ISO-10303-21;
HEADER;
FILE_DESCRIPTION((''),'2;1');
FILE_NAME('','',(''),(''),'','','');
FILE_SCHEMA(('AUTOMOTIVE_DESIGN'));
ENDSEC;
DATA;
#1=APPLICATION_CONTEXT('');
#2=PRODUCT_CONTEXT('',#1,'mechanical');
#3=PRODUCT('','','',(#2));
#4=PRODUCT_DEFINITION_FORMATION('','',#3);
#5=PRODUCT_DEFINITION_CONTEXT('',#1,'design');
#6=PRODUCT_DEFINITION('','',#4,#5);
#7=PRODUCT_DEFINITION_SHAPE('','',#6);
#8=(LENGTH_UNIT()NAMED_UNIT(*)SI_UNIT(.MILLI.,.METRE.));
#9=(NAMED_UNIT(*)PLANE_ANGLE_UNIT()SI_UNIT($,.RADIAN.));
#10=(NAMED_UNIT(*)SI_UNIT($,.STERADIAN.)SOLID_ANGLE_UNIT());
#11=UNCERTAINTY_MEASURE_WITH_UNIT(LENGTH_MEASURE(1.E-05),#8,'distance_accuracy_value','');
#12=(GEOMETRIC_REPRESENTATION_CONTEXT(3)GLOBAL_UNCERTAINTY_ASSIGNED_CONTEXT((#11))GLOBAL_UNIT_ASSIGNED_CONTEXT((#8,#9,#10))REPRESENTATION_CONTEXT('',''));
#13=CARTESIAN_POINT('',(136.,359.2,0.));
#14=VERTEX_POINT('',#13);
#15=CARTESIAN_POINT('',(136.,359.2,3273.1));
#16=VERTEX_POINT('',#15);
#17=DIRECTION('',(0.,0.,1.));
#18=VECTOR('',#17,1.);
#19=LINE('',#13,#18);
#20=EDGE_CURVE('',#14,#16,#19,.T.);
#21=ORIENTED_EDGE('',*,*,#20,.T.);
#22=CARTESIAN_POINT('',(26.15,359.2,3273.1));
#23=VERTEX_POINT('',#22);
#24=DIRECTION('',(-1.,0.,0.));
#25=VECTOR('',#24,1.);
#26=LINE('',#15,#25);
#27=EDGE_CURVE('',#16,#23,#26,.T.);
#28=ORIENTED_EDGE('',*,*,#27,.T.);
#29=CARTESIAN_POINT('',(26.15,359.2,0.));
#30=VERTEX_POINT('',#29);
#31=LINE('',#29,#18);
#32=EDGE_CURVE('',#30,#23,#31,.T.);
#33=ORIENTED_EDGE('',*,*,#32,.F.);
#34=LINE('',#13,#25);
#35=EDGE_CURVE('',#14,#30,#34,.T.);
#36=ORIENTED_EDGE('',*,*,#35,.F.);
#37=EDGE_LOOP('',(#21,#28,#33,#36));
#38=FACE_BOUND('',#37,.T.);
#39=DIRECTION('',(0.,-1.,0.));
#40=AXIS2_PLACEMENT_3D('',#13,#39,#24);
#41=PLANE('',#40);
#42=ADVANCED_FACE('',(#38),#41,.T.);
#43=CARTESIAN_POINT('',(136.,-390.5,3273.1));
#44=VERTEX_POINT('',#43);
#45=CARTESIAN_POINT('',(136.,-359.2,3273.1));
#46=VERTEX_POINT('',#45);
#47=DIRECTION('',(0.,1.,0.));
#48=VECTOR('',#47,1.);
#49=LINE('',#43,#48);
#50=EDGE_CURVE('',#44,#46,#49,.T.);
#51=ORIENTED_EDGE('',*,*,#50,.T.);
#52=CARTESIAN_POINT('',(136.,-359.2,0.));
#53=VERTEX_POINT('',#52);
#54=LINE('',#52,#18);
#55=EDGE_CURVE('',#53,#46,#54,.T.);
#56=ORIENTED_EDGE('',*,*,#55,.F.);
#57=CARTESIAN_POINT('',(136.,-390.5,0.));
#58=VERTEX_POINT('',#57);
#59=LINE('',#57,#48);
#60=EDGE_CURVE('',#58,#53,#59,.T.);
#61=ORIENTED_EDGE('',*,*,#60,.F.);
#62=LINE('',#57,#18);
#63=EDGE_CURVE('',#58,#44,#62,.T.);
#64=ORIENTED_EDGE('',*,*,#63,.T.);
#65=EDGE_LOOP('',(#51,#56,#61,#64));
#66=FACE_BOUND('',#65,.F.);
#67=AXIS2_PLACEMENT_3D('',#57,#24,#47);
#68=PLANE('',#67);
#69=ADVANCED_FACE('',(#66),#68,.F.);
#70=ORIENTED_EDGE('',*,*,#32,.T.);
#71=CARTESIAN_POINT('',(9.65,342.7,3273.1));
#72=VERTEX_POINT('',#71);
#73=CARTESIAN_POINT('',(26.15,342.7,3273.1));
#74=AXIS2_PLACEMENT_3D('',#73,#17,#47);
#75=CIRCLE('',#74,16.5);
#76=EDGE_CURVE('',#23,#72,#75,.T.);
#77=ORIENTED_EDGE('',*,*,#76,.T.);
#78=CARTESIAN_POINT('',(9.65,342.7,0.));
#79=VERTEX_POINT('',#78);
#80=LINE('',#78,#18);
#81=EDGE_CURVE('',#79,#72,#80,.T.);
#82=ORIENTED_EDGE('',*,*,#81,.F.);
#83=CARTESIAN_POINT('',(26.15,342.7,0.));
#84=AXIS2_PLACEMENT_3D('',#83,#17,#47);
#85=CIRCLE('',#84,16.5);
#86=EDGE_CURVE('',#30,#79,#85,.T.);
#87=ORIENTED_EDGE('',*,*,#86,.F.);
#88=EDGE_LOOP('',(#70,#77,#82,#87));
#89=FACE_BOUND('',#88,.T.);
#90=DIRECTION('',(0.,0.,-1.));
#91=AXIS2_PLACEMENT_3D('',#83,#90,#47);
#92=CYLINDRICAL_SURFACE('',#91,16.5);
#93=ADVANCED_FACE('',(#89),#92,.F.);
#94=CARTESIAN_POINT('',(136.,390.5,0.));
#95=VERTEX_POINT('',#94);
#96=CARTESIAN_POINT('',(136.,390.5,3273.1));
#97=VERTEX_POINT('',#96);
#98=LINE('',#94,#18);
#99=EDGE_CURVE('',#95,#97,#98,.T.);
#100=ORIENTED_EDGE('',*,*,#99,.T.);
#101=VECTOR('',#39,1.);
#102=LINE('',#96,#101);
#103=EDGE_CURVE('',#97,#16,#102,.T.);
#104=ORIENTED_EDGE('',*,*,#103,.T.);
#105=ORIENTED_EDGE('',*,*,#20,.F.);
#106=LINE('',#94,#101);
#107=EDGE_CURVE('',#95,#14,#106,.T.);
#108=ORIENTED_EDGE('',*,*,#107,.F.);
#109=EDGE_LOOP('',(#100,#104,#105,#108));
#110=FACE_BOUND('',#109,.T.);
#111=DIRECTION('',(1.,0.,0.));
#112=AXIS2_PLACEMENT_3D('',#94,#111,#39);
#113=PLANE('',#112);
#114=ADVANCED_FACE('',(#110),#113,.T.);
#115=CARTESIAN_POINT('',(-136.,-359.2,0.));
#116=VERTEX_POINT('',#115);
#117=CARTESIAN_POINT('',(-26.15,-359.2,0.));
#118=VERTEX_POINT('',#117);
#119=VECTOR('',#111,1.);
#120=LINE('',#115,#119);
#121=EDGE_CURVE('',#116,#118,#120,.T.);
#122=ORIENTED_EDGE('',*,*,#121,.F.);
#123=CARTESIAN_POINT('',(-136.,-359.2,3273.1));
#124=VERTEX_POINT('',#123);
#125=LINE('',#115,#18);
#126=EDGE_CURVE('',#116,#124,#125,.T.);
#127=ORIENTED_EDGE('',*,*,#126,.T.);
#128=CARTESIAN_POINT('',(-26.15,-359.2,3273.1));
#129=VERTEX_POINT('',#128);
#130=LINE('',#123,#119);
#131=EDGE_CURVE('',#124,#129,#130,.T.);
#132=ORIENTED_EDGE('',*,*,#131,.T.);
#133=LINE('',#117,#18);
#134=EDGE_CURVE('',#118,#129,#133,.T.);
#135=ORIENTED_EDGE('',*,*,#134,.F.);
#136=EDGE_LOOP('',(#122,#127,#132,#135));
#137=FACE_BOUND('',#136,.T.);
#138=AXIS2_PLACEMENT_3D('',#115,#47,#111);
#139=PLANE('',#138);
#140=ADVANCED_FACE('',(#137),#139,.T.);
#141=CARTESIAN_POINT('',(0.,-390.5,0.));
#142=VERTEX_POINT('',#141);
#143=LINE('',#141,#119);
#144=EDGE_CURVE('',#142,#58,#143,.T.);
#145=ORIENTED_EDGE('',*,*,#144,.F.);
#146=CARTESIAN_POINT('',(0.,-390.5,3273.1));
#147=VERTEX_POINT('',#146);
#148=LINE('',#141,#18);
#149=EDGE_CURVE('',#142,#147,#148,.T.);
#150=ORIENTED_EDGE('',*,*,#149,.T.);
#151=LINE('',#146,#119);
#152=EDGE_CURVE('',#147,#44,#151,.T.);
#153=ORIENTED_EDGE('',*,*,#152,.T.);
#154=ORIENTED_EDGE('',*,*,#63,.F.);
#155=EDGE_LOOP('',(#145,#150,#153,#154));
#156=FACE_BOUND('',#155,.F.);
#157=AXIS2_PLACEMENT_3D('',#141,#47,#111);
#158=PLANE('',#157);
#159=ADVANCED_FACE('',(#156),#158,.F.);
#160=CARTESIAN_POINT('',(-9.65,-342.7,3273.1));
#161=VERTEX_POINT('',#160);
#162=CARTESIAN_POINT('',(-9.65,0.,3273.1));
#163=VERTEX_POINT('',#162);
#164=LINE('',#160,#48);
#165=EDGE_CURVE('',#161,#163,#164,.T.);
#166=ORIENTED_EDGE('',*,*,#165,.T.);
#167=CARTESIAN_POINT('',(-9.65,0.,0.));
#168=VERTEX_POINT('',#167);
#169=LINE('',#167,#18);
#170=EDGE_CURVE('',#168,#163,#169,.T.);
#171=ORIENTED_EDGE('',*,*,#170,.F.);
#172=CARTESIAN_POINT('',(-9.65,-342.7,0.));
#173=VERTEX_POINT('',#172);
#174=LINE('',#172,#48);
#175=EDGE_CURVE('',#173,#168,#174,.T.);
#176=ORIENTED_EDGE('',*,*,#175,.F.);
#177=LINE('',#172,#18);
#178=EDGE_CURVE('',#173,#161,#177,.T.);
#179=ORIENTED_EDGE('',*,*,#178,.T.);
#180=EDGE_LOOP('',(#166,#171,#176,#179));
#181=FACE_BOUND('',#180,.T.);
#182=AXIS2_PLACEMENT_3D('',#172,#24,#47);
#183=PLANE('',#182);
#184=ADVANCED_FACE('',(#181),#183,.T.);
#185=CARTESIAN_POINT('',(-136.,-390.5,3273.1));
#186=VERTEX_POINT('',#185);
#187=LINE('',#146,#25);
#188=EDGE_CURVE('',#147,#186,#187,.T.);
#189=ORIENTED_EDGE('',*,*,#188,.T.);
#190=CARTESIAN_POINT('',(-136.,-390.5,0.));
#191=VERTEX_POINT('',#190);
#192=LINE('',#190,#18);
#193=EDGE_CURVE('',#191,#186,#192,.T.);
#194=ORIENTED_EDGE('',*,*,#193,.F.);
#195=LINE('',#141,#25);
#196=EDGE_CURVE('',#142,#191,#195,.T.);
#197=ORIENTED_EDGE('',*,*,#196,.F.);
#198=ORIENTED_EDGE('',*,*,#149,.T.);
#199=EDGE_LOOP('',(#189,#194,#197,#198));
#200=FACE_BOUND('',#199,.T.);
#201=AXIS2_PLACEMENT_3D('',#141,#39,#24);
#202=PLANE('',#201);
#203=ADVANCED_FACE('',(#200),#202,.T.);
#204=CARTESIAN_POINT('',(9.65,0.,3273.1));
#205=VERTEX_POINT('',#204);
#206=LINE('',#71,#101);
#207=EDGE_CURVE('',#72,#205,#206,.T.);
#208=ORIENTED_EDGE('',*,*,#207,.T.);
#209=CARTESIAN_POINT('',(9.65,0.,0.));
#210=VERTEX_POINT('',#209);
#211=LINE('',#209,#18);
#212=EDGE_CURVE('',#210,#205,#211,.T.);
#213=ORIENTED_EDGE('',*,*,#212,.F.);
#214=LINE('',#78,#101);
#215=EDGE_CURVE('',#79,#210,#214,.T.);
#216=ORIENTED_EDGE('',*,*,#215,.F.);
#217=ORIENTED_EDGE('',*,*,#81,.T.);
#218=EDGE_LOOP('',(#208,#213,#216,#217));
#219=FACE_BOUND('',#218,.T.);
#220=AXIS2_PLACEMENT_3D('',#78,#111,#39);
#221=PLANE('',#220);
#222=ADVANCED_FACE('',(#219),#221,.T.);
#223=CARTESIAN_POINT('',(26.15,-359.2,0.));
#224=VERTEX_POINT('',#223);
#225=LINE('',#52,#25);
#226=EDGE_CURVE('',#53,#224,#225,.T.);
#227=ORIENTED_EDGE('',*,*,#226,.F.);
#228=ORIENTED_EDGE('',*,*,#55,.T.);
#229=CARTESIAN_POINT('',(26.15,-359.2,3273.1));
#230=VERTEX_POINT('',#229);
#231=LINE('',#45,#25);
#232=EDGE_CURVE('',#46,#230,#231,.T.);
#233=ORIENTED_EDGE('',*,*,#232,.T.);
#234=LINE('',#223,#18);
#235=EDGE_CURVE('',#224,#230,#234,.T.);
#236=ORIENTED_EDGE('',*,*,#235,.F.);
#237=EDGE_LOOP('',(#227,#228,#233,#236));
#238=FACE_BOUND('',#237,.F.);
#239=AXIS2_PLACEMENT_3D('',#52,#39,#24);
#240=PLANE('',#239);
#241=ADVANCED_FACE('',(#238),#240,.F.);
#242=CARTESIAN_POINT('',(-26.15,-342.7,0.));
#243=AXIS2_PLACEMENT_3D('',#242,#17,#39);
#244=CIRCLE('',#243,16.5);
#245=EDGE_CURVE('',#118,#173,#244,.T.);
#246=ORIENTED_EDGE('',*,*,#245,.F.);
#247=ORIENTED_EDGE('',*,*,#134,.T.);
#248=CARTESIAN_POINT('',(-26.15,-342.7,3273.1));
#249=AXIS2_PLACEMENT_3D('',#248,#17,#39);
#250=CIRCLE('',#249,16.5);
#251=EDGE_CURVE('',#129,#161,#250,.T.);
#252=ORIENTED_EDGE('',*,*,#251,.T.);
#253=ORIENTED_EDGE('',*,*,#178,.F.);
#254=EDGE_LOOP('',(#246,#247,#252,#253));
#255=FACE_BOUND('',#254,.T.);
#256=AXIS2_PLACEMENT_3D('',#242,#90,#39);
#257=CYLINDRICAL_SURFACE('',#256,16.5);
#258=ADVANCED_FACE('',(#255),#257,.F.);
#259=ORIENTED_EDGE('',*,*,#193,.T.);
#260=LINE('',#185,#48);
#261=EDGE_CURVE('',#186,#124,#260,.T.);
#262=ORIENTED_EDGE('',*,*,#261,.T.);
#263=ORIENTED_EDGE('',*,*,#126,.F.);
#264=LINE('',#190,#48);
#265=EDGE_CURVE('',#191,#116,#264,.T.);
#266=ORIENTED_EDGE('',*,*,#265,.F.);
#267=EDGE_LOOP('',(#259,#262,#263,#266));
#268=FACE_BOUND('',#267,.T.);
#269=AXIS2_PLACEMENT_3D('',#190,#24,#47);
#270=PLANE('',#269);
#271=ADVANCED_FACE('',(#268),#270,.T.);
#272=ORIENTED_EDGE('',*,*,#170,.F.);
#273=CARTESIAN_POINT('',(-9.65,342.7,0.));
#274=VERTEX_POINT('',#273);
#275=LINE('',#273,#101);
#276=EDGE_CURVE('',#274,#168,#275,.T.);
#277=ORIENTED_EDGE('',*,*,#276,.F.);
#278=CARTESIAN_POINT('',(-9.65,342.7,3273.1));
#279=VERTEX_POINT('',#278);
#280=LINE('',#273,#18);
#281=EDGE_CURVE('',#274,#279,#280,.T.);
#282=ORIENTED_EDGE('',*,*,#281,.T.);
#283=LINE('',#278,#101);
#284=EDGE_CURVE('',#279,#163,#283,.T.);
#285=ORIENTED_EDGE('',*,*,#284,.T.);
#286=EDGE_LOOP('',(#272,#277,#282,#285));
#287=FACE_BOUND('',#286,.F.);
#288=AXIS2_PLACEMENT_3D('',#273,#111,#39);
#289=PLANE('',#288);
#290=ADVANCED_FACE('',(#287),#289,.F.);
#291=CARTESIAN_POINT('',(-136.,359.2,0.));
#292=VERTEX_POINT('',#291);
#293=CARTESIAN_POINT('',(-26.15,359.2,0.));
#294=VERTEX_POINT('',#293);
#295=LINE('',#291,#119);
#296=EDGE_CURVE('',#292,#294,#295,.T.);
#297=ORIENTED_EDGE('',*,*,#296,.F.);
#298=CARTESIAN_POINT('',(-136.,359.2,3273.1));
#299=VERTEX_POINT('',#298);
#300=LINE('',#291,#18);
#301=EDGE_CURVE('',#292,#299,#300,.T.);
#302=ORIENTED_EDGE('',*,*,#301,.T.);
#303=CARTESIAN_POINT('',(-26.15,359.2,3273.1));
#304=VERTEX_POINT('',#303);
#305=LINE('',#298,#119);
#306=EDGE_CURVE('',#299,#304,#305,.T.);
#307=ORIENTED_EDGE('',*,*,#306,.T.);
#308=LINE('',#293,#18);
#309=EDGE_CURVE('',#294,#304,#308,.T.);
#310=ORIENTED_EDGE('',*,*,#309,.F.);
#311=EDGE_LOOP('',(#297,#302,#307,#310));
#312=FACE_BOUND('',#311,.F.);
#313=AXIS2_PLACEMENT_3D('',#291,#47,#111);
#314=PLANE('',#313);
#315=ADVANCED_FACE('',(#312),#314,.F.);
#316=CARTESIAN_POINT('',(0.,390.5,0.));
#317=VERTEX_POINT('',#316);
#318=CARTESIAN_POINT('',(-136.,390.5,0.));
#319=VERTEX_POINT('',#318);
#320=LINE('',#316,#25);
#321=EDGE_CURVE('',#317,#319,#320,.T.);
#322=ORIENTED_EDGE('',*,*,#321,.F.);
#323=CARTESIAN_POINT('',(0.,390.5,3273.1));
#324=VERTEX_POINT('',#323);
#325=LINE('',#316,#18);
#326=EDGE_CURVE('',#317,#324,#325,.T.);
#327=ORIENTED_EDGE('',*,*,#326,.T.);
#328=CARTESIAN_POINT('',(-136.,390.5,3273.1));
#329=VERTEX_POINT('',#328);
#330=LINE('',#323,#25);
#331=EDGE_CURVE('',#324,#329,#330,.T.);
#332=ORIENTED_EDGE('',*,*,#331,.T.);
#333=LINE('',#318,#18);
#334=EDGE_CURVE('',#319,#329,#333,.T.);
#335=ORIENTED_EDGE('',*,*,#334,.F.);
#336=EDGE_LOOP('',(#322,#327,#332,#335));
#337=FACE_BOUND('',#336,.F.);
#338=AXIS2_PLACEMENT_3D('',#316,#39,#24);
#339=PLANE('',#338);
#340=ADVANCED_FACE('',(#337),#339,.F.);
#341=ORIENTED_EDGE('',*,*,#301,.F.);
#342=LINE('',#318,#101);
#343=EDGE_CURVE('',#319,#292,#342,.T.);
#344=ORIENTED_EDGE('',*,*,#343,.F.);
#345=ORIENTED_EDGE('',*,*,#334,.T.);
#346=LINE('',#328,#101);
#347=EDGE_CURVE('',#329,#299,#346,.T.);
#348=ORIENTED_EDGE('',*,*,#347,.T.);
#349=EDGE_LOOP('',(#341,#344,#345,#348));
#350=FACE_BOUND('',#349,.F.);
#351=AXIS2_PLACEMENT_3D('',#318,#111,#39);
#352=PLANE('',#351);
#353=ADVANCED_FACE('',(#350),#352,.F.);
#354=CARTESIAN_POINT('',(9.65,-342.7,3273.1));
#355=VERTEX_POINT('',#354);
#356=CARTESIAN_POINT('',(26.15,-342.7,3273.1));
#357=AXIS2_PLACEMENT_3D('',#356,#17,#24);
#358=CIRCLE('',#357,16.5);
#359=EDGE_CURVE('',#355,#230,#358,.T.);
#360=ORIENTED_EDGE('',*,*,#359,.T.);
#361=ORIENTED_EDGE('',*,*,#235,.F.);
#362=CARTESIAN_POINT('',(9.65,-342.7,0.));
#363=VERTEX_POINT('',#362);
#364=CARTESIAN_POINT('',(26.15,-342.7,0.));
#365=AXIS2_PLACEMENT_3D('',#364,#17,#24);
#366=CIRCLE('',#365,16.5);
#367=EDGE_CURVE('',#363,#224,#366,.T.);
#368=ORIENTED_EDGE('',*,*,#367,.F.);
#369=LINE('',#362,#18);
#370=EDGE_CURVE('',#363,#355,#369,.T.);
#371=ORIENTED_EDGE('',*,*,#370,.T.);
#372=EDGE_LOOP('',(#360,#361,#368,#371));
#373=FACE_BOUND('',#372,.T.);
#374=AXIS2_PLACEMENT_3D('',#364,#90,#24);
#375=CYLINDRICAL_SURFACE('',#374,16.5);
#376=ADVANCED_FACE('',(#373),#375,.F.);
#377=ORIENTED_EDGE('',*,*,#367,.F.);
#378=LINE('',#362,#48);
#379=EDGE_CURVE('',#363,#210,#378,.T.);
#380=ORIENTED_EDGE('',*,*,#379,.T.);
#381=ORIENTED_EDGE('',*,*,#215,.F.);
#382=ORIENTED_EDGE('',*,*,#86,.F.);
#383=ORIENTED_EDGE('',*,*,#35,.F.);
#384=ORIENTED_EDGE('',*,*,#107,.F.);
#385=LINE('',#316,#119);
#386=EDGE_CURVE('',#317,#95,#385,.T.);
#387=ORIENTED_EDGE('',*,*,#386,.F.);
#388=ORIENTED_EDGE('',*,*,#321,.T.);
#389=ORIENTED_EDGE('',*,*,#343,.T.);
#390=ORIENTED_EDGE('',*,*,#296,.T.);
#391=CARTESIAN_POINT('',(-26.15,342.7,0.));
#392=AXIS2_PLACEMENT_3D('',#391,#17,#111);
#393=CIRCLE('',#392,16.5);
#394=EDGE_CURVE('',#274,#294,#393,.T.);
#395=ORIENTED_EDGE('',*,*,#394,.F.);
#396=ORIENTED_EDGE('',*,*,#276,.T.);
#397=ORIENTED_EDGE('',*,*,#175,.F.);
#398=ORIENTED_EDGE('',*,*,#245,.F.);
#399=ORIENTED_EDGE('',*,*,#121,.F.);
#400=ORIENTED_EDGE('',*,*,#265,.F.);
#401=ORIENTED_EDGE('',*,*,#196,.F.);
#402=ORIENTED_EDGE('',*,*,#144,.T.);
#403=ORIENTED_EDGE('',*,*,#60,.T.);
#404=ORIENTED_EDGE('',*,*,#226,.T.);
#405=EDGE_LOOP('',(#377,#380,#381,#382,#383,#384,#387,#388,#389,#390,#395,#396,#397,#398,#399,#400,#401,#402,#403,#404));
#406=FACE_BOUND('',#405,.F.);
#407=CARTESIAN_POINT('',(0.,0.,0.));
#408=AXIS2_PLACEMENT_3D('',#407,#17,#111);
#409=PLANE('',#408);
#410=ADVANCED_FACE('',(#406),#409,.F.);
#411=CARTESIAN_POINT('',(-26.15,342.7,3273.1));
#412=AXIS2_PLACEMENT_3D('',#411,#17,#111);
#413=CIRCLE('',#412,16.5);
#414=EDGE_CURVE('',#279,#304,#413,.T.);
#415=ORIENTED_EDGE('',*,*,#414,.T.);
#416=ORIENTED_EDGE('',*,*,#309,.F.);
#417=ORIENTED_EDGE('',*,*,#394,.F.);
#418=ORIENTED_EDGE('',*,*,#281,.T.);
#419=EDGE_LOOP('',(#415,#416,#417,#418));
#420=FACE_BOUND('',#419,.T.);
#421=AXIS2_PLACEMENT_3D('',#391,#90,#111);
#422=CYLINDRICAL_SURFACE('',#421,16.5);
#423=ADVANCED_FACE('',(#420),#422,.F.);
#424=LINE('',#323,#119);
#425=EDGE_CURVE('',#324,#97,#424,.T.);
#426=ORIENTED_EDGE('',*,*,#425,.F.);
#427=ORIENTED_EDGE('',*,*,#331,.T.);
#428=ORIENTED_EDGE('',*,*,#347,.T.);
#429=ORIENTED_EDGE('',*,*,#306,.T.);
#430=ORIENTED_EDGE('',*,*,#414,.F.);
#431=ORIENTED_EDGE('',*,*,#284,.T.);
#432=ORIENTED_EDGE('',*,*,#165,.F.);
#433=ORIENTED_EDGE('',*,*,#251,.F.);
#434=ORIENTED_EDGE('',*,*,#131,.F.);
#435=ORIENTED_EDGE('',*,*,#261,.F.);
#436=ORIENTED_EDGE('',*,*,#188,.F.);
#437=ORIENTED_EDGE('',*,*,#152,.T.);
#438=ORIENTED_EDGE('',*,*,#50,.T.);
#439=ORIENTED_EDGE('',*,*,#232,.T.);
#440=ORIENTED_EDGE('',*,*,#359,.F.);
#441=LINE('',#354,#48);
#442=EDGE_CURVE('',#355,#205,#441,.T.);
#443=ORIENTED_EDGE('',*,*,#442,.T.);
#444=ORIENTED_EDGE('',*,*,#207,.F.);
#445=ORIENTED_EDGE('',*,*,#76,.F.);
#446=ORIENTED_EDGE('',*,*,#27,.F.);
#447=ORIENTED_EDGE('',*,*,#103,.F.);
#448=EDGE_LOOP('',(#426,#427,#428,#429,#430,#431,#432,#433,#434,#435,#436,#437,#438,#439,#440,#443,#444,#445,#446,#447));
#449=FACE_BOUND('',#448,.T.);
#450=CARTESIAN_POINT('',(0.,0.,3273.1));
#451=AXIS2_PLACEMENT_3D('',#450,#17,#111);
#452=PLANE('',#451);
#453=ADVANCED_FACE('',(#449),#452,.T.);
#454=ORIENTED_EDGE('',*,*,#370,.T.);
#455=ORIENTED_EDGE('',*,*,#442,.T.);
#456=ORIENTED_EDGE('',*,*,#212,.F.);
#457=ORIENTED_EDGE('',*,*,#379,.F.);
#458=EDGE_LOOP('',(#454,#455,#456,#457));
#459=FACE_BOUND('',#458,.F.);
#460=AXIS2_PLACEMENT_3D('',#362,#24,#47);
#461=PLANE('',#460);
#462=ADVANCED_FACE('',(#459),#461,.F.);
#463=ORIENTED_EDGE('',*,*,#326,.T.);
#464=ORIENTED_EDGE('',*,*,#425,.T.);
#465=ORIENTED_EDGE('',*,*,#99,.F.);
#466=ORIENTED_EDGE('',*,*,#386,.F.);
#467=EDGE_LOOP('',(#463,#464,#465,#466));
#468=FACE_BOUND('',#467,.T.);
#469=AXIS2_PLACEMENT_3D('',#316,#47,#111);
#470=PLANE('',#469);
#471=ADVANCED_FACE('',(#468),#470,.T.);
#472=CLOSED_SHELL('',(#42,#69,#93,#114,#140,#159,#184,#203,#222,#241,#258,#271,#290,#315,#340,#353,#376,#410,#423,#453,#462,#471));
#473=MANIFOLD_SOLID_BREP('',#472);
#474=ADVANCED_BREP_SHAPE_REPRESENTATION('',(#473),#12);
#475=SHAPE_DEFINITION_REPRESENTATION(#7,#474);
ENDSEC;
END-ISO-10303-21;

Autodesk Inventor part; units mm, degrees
ref_plane "YZ Plane" through (0, 0, 0) normal (1, 0, 0) x (0, 1, 0)
ref_plane "Start plane" through (0, 0, 0) normal (0, 0, 1) x (1, 0, 0)
ref_plane "End plane" through (0, 0, 3273.1) normal (0, 0, 1) x (1, 0, 0)
sketch "Sketch" plane through (0, 0, 0) normal (0, 0, 1) x (1, 0, 0)
  line L0 (-136, -390.5) -> (-136, -359.2)
  line L1 (-136, -359.2) -> (-26.15, -359.2)
  line L2 (-9.65, -342.7) -> (-9.65, 0)
  line L3 (-9.65, 0) -> (0, 0) construction
  line L4 (0, 0) -> (0, -390.5) construction
  line L5 (0, -390.5) -> (-136, -390.5)
  line L6 (-60, 0) -> (80, 0) construction
  line L7 (0, -60) -> (0, 80) construction
  line L8 (136, -390.5) -> (136, -359.2)
  line L9 (136, -359.2) -> (26.15, -359.2)
  line L10 (9.65, -342.7) -> (9.65, 0)
  line L11 (9.65, 0) -> (0, 0) construction
  line L12 (0, -390.5) -> (136, -390.5)
  line L13 (-136, 390.5) -> (-136, 359.2)
  line L14 (-136, 359.2) -> (-26.15, 359.2)
  line L15 (-9.65, 342.7) -> (-9.65, 0)
  line L16 (0, 390.5) -> (-136, 390.5)
  line L17 (136, 390.5) -> (136, 359.2)
  line L18 (136, 359.2) -> (26.15, 359.2)
  line L19 (0, 390.5) -> (136, 390.5)
  line L20 (9.65, 342.7) -> (9.65, 0)
  arc A0 (-9.65, 342.7) -> (-26.15, 359.2) centre (-26.15, 342.7) ccw
  arc A1 (26.15, 359.2) -> (9.65, 342.7) centre (26.15, 342.7) ccw
  arc A2 (9.65, -342.7) -> (26.15, -359.2) centre (26.15, -342.7) ccw
  arc A3 (-26.15, -359.2) -> (-9.65, -342.7) centre (-26.15, -342.7) ccw
  line L21 (0, 108) -> (0, -88) construction
  line L22 (-88, 0) -> (108, 0) construction
  point P0 (-9.65, -359.2)
  point P1 (9.65, -359.2)
  point P2 (-9.65, 359.2)
  point P3 (9.65, 359.2)
  dimension "d1" = 390.5
  dimension "d2" = 31.3
  dimension "d3" = 136
  dimension "d4" = 9.65
  dimension "d10" = 16.5
extrude "Body" add sketch "Sketch" along normal up to surface (3273.1 mm away) from surface at 0
sketch "Sketch4" plane through (0, 0, 0) normal (0, 0, 1) x (1, 0, 0)
  line L0 (0, 0) -> (10, 0)
ref_plane "Work Plane3" through (0, 0, 0) normal (0, -1, 0) x (1, 0, 0)
sketch "Sketch5" plane through (0, 0, 0) normal (0, -1, 0) x (1, 0, 0)
  line L0 (-2, 0) -> (12, 0) projected
  line L1 (-2, 3273.1) -> (12, 3273.1) projected
  dimension "d14" = 3273.1
equation "\"d1\" = 0.5 * G_H"
equation "\"d2\" = G_T1"
equation "\"d3\" = 0.5 * G_W"
equation "\"d4\" = 0.5 * G_T"
equation "\"d10\" = G_IR"
equation "\"d5\" = G_L"
equation "\"G_W\" = 272"
equation "\"G_H\" = 781"
equation "\"G_T\" = 19.3"
equation "\"G_T1\" = 31.3"
equation "\"G_IR\" = 16.5"
equation "\"G_L\" = d14"
equation "\"G_OFFSET_START\" = 0"
equation "\"G_OFFSET_END\" = 0"
equation "\"d12\" = G_OFFSET_END + B_L"
equation "\"B_L\" = 3273.1"
properties part number "AS 3679-1990 - 760 UB - 244 - 3273.1" material "Steel, Mild"
